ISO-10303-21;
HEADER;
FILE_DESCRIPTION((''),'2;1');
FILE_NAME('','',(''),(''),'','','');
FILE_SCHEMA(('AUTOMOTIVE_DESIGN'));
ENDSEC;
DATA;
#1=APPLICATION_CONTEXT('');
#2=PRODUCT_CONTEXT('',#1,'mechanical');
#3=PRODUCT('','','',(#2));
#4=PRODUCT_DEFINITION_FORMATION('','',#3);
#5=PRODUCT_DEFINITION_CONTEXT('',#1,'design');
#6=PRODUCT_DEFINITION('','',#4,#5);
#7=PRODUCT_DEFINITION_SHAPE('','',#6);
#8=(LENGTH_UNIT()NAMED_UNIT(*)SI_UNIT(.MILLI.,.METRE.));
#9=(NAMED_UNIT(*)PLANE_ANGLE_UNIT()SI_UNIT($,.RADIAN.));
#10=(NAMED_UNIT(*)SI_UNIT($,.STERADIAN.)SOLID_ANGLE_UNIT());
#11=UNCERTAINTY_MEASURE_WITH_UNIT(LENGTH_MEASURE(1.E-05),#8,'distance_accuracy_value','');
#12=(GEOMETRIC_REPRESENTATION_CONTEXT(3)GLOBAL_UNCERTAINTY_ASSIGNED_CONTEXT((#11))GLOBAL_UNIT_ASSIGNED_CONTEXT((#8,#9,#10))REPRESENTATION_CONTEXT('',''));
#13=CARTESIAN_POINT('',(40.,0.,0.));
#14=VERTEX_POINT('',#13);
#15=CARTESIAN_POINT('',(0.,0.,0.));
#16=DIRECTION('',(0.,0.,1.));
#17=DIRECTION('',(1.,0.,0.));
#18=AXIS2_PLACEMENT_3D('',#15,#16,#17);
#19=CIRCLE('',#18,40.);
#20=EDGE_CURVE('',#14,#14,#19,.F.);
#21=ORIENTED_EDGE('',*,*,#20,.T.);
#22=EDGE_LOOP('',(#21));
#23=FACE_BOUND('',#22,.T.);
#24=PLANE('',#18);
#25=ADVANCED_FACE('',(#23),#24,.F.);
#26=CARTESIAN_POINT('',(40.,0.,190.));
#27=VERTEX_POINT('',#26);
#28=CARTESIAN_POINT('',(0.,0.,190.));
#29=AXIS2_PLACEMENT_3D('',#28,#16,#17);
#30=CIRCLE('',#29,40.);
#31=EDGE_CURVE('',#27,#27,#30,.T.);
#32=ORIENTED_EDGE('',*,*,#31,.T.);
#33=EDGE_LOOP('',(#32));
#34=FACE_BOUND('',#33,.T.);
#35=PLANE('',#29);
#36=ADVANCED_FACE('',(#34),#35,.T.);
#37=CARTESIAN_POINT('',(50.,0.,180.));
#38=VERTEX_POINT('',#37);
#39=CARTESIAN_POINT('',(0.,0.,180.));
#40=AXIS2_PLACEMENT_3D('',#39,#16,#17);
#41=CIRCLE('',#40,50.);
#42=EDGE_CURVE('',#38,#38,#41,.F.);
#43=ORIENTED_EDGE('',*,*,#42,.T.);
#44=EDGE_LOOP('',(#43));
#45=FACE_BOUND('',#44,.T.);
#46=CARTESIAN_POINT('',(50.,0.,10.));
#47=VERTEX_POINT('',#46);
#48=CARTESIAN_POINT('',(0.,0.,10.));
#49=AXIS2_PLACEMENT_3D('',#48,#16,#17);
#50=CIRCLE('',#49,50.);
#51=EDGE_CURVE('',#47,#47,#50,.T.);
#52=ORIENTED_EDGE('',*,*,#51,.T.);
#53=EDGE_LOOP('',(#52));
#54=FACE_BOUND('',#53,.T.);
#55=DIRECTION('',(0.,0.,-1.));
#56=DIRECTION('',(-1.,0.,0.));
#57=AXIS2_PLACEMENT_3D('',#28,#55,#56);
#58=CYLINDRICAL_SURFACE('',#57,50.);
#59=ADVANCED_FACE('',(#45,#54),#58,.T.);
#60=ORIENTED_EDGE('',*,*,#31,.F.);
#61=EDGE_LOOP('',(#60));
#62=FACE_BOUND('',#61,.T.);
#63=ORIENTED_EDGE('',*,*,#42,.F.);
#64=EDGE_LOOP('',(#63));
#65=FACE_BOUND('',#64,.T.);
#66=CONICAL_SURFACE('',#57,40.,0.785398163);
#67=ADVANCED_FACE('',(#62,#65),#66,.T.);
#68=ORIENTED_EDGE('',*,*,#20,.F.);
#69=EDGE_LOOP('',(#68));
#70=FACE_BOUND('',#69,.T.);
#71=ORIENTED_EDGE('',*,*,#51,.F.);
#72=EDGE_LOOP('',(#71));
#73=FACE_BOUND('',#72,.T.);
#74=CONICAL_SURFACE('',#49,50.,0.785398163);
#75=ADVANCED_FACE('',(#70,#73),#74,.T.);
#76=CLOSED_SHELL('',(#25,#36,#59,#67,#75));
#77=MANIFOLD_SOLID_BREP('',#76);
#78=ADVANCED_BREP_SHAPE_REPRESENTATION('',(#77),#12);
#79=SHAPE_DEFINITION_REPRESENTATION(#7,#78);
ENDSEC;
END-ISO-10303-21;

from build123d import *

# Parameters (mm, degrees)
ESQUISSE1_R        = 50
BOSS_EXTRU_1_DEPTH = 190
CHANFREIN2_SIZE    = 10


with BuildPart() as part:
    # Esquisse1 → Boss.-Extru.1 (new body)
    with BuildSketch(Plane.XY):
        Circle(ESQUISSE1_R)
    extrude(amount=BOSS_EXTRU_1_DEPTH)

    # Chanfrein2
    chanfrein2_edges = [part.edges().sort_by_distance(p)[0] for p in [
        (-50, 0, 0),
        (-50, 0, 190),
    ]]
    chamfer(chanfrein2_edges, length=CHANFREIN2_SIZE)


solid = part.part
